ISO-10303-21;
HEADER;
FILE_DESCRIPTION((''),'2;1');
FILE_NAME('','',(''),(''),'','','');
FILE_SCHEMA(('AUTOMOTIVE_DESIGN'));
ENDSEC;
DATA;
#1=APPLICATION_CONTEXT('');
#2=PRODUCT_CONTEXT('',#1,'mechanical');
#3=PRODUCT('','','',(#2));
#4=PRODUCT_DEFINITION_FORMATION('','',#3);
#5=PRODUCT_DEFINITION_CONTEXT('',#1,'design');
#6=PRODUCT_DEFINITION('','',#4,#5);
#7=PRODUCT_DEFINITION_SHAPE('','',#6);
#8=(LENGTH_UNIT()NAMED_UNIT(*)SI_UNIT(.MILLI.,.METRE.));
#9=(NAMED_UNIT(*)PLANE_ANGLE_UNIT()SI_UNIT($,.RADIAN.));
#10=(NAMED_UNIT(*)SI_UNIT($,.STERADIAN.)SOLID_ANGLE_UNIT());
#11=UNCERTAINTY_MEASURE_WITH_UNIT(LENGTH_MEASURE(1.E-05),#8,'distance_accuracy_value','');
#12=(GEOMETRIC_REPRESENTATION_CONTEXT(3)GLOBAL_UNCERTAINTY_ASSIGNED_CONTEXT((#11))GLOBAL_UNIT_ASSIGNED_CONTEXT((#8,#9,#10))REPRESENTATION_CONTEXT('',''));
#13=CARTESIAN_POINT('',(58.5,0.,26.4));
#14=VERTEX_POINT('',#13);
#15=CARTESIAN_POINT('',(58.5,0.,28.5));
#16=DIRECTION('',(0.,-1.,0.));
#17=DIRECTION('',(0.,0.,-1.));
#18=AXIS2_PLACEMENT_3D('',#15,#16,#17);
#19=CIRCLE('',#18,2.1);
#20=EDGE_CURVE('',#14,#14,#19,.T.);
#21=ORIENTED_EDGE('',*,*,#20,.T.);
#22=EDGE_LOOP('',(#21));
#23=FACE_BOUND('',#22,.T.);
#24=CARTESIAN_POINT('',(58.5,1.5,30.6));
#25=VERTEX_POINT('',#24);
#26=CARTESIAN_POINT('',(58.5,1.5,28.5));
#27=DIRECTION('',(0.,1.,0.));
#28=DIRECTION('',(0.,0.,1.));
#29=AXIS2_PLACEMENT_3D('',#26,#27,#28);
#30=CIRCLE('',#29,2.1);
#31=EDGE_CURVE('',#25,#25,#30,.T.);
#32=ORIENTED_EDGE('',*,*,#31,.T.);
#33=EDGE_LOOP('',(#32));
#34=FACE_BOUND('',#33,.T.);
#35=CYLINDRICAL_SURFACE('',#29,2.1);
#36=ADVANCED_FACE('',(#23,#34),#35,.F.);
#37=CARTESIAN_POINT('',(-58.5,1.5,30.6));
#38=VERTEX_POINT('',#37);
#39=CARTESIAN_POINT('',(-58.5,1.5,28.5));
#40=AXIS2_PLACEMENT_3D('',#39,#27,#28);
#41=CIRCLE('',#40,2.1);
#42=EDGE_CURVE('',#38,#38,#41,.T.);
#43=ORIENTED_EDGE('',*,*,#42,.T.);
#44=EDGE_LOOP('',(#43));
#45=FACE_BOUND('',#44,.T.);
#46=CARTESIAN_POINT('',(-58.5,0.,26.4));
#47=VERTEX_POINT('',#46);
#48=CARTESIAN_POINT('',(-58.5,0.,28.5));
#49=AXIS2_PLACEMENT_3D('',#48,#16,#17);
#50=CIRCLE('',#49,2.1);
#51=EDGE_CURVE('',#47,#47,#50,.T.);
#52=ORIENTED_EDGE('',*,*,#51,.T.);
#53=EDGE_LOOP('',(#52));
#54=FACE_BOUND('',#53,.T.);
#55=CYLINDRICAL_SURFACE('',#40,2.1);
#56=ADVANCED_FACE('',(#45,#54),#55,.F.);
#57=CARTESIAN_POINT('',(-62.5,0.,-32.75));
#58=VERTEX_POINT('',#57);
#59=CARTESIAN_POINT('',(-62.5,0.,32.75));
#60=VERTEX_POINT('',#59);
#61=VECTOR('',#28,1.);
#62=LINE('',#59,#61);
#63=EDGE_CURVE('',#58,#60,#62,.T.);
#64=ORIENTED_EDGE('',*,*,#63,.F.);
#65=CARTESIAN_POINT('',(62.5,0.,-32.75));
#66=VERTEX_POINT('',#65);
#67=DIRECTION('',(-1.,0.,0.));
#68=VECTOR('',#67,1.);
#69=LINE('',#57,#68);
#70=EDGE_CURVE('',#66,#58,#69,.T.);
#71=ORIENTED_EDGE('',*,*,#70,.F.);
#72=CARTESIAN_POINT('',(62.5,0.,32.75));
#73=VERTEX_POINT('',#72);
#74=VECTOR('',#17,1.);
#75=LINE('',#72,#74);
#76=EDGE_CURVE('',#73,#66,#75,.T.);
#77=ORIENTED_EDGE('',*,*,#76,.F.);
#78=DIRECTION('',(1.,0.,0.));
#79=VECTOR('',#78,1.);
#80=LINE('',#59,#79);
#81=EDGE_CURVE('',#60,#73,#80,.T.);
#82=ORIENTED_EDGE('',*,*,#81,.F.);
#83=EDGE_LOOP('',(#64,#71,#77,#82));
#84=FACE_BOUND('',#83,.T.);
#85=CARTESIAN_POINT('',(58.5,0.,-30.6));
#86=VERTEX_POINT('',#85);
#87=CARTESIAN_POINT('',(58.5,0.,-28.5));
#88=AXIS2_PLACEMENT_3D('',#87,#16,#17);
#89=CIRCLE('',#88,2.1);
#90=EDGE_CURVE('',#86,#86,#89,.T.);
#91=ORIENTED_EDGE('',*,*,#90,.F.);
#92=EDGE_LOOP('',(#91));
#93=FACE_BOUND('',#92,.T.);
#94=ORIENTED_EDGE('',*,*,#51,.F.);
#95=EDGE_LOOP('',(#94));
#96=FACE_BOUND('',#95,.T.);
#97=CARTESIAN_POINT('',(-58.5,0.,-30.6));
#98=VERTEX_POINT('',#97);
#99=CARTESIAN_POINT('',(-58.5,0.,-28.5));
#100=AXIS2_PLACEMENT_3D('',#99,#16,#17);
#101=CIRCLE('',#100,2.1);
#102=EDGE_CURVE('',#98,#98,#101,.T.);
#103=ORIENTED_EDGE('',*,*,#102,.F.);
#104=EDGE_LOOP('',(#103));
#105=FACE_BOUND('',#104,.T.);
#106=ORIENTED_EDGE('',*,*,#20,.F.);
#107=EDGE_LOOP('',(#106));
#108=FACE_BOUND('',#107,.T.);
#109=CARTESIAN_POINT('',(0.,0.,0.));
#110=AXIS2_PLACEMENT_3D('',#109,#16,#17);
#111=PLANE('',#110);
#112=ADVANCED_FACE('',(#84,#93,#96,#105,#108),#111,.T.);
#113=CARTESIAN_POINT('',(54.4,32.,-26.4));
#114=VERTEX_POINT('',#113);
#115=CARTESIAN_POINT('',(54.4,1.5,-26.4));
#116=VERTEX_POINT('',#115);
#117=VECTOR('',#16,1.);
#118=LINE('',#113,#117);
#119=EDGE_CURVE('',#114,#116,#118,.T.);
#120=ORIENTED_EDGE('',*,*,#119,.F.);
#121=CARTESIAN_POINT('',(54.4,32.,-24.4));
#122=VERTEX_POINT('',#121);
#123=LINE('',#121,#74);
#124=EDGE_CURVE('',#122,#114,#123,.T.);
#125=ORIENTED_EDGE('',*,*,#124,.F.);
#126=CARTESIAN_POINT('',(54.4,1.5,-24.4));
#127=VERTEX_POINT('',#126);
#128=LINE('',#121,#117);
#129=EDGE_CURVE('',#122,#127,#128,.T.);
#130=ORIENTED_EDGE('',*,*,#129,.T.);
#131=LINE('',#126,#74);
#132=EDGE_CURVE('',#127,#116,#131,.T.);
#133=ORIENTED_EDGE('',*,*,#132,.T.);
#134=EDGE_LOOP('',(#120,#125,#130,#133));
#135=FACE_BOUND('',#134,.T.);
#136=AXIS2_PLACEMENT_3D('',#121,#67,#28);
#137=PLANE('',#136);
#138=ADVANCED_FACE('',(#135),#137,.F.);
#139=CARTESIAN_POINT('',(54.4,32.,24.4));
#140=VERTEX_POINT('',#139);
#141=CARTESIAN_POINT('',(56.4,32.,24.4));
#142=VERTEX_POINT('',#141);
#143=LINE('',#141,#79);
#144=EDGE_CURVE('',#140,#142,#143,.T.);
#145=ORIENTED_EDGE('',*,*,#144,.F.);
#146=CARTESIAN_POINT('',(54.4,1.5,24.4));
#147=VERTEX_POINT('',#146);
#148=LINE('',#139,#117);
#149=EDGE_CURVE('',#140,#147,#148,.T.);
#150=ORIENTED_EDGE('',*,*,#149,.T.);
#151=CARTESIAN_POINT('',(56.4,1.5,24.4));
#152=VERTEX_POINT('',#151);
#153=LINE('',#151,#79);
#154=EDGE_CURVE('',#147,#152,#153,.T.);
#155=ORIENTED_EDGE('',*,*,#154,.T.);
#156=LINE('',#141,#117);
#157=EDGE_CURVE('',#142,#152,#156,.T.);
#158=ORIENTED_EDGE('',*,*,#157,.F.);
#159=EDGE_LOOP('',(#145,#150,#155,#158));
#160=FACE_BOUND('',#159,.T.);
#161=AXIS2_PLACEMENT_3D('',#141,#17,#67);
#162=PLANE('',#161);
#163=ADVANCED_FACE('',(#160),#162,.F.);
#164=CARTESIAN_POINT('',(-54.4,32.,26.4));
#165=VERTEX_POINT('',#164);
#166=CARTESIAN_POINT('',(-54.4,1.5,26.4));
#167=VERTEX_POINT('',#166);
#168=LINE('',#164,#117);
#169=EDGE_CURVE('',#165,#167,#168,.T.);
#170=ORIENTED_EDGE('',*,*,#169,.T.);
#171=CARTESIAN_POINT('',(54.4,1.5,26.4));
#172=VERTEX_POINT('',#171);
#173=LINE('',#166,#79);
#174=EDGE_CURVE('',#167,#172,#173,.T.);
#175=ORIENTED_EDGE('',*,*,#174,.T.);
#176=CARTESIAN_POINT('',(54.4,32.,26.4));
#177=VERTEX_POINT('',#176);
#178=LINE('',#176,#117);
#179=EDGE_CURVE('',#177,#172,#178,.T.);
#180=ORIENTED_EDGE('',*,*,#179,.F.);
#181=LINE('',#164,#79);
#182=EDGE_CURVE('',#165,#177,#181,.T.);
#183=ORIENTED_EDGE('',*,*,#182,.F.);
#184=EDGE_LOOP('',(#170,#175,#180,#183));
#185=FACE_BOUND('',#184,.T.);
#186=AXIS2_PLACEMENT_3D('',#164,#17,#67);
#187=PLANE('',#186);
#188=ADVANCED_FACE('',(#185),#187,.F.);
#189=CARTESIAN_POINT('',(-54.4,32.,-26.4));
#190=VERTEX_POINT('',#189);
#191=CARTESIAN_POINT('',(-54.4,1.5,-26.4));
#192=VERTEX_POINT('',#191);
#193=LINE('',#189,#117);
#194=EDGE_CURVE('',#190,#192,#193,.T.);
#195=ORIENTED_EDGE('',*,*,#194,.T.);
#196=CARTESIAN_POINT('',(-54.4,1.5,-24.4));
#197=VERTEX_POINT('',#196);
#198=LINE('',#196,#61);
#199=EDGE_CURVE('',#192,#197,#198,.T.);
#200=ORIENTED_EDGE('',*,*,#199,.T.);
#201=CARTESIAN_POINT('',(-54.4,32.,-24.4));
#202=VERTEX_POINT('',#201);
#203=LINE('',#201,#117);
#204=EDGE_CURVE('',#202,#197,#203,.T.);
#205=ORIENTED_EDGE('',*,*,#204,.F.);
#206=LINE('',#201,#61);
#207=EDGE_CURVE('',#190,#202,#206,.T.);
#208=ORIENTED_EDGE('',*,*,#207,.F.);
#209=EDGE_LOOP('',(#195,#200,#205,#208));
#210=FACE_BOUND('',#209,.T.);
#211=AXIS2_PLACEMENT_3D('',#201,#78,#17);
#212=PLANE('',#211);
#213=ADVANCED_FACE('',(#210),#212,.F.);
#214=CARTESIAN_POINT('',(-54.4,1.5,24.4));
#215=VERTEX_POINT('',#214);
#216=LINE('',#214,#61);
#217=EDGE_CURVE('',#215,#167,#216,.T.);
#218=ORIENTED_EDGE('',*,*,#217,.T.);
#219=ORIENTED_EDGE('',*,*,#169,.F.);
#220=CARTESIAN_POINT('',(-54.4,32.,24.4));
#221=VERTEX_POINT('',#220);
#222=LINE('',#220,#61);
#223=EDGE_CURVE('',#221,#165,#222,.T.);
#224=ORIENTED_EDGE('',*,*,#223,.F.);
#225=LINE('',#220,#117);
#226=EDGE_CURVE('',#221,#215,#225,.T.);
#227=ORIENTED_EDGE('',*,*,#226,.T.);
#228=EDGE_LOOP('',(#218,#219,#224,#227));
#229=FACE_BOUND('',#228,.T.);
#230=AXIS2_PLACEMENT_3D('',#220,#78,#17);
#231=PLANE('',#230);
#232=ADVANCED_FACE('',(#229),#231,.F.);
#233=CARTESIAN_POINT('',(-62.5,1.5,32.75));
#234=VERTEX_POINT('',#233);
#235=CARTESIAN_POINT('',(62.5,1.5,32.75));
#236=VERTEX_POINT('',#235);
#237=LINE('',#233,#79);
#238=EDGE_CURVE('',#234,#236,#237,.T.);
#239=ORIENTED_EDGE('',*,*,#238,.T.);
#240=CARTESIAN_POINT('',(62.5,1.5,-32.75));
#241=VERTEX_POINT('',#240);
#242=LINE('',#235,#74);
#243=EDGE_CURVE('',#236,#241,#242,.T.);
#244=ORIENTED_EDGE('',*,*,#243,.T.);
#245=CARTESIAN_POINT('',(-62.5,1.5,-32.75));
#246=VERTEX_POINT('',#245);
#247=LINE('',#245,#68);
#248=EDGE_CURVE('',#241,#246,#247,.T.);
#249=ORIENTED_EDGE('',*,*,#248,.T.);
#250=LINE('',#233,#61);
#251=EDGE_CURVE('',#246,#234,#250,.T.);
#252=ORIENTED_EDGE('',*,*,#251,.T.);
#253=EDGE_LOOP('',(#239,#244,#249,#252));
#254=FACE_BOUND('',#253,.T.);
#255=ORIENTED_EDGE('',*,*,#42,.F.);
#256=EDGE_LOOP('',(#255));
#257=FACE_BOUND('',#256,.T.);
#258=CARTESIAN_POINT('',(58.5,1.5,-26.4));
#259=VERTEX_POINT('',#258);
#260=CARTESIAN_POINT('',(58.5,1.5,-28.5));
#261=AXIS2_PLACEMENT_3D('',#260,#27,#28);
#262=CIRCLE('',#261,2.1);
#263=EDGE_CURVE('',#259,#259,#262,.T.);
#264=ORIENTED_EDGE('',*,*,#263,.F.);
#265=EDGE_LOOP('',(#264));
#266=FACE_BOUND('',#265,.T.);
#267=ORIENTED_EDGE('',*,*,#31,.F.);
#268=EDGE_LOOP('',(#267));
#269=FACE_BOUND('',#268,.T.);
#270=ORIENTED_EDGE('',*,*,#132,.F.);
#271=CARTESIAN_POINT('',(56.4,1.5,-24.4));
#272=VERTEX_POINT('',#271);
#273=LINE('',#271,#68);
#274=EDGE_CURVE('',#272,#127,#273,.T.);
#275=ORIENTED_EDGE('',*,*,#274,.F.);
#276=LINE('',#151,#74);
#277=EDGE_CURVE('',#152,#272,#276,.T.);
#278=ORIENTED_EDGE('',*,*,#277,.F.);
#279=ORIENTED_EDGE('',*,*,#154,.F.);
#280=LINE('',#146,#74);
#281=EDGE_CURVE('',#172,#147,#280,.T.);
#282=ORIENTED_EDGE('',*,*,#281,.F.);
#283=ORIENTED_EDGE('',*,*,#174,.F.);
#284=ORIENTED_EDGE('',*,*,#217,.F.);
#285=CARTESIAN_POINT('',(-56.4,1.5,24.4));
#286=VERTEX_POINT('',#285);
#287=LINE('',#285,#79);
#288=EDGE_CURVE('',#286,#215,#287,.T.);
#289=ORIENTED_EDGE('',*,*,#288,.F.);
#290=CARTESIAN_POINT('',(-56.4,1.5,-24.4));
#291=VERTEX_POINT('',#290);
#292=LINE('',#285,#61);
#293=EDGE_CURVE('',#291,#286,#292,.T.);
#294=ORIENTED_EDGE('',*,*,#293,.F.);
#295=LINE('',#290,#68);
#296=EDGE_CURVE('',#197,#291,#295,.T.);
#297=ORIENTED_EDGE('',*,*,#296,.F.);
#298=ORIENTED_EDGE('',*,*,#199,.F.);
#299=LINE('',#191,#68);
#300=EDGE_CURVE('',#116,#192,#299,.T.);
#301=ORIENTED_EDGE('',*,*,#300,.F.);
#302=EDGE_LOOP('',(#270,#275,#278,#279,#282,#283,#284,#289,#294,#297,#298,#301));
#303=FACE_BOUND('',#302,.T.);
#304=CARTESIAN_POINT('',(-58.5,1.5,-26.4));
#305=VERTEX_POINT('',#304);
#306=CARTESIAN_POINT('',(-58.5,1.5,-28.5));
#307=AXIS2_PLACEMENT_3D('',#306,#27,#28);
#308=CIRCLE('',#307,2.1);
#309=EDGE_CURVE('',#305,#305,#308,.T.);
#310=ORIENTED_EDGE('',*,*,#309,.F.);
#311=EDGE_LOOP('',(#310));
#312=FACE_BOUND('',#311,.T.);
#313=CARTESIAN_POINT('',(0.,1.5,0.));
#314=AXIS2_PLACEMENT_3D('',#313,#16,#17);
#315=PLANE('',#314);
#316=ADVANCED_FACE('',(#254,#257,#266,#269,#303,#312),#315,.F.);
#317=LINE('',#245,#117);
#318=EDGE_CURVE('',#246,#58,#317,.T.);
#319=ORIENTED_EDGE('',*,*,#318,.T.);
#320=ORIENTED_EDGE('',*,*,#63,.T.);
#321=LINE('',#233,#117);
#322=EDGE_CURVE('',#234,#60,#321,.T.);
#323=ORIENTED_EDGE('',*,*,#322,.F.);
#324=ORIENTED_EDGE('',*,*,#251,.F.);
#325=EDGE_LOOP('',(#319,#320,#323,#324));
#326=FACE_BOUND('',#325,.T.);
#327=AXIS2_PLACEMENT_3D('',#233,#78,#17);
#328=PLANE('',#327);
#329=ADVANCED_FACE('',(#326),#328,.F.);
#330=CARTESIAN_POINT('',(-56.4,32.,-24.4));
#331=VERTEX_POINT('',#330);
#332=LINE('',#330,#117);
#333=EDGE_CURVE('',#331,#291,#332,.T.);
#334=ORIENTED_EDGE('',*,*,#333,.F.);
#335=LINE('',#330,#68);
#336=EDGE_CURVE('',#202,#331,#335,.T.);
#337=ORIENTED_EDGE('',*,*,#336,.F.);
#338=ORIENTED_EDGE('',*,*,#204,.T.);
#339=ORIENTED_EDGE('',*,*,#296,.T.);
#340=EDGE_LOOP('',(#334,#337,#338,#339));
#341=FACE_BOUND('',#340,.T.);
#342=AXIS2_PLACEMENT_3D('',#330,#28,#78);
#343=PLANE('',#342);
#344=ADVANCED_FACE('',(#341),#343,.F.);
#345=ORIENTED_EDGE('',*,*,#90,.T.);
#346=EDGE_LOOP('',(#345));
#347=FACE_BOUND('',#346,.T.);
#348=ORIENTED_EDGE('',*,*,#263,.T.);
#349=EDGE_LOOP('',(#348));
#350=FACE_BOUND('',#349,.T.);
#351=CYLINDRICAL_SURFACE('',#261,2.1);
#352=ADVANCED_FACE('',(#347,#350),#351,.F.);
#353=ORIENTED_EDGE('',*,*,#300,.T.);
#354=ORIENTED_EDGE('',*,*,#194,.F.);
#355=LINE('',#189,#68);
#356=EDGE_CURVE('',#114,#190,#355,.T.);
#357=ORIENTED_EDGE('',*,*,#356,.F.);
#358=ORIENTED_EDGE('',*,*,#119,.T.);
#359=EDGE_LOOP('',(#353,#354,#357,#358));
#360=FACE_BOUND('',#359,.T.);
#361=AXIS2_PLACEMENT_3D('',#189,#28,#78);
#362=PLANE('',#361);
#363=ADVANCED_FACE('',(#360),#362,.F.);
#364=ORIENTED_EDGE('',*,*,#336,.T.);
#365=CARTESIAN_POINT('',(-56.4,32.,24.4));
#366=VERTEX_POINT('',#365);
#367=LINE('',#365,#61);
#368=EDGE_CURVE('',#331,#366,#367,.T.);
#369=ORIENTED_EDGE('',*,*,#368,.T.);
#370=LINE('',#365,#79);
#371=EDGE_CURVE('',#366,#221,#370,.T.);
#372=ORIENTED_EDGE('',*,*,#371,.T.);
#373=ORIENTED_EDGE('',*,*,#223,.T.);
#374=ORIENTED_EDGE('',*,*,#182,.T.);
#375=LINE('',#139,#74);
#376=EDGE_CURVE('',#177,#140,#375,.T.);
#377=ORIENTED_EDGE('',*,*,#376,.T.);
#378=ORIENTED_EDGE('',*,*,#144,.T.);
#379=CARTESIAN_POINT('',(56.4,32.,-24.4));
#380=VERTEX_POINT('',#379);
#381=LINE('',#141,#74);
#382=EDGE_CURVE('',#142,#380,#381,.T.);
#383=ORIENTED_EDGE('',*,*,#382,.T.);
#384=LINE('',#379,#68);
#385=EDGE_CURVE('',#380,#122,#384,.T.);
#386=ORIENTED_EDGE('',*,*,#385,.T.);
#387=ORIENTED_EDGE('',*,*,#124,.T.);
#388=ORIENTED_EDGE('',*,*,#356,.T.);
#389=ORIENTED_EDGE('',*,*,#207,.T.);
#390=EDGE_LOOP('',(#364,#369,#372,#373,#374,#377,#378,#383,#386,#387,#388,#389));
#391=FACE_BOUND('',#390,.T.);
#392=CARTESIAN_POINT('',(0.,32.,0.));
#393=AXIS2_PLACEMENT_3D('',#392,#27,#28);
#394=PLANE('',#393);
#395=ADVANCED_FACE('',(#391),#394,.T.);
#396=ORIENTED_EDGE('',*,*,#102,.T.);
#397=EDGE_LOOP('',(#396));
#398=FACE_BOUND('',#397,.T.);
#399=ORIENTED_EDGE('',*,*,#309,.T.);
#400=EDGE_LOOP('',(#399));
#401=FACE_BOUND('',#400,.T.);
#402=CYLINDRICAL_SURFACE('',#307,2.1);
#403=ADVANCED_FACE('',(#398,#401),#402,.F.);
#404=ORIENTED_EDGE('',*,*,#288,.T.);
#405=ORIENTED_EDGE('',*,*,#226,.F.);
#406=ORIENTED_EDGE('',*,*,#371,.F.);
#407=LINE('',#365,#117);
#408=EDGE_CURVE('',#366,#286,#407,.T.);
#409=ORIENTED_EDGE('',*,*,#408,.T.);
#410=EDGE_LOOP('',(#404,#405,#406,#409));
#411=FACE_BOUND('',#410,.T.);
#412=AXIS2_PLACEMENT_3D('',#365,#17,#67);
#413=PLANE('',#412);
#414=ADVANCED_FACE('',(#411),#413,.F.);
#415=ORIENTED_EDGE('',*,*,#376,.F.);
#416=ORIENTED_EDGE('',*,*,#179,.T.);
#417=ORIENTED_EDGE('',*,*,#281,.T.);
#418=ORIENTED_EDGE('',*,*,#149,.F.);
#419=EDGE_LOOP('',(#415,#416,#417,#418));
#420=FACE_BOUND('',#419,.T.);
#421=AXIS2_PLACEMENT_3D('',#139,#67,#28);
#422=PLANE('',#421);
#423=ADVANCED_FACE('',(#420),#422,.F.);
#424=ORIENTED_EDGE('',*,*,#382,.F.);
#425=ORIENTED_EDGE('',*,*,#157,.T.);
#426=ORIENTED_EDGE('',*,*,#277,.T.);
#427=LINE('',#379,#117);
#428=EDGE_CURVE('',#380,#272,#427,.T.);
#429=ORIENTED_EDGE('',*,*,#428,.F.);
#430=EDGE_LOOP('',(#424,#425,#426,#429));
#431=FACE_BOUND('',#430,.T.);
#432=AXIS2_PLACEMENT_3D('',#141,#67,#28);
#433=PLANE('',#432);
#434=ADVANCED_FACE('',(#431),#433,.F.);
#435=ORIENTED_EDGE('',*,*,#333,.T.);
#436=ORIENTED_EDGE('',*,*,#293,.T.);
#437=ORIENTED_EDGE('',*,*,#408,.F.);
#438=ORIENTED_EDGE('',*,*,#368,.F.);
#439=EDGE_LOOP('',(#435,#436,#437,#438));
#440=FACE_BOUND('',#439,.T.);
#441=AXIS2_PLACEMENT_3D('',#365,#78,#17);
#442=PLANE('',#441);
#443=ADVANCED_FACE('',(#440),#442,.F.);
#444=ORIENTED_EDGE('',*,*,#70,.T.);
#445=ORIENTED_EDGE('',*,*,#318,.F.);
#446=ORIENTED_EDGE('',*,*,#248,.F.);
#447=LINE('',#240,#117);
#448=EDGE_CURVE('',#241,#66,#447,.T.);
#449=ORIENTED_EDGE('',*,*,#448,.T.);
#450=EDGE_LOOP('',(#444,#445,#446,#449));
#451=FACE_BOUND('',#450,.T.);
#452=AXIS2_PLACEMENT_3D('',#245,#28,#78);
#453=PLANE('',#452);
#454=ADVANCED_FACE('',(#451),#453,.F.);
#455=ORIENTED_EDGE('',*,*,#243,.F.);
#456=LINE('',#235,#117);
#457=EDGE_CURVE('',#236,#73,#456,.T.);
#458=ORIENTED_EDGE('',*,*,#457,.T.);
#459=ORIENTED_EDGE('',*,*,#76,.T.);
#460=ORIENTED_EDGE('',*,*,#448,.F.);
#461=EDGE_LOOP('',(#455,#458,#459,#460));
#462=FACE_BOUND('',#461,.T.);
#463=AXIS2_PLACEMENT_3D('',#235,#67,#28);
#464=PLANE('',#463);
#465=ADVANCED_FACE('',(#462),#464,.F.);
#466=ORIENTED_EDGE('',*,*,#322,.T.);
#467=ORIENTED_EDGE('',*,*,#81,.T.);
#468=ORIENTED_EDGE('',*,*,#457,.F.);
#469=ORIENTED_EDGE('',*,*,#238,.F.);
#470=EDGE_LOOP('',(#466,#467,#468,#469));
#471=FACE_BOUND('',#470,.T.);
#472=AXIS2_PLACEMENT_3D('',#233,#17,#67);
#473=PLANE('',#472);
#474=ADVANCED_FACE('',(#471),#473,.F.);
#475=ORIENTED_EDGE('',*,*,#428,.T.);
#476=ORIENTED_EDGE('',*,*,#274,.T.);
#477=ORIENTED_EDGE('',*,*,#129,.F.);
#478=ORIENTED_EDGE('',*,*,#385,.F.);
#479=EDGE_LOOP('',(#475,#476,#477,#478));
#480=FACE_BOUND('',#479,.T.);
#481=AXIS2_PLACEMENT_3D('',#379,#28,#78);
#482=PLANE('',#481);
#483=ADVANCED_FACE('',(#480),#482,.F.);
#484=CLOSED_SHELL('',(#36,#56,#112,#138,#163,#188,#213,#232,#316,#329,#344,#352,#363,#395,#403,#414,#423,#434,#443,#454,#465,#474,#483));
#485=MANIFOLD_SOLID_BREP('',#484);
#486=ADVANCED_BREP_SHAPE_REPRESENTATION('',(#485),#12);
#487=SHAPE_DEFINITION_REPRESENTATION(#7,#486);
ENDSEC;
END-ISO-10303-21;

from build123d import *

# Parameters (mm, degrees)
SKETCH_1_W        = 125
SKETCH_1_H        = 65.5
EXTRUDE_1_DEPTH   = 1.5
HOLE_WIZARD_M41_D = 4.2
EXTRUDE_2_DEPTH   = 30.5


with BuildPart() as part:
    # Эскиз1 → Бобышка-Вытянуть1 (new body)
    with BuildSketch(Plane(origin=(0, 0, 0), x_dir=(1, 0, 0), z_dir=(0, 1, 0))):
        Rectangle(SKETCH_1_W, SKETCH_1_H)
    extrude(amount=EXTRUDE_1_DEPTH)

    # Сверло под метчик  спиральное M41 (through all)
    with Locations(Plane(origin=(0, 1.5, 0), x_dir=(1, 0, 0), z_dir=(0, 1, 0))):
        with Locations((-58.5, -28.5), (-58.5, 28.5), (58.5, 28.5), (58.5, -28.5)):
            Hole(HOLE_WIZARD_M41_D / 2)

    # Эскиз6 → Бобышка-Вытянуть2 (add)
    with BuildSketch(Plane(origin=(0, 1.5, 0), x_dir=(1, 0, 0), z_dir=(0, 1, 0))):
        Polygon((56.4, -24.4), (54.4, -24.4), (54.4, -26.4), (-54.4, -26.4), (-54.4, -24.4), (-56.4, -24.4), (-56.4, 24.4), (-54.4, 24.4), (-54.4, 26.4), (54.4, 26.4), (54.4, 24.4), (56.4, 24.4), align=None)
    extrude(amount=EXTRUDE_2_DEPTH)


solid = part.part
